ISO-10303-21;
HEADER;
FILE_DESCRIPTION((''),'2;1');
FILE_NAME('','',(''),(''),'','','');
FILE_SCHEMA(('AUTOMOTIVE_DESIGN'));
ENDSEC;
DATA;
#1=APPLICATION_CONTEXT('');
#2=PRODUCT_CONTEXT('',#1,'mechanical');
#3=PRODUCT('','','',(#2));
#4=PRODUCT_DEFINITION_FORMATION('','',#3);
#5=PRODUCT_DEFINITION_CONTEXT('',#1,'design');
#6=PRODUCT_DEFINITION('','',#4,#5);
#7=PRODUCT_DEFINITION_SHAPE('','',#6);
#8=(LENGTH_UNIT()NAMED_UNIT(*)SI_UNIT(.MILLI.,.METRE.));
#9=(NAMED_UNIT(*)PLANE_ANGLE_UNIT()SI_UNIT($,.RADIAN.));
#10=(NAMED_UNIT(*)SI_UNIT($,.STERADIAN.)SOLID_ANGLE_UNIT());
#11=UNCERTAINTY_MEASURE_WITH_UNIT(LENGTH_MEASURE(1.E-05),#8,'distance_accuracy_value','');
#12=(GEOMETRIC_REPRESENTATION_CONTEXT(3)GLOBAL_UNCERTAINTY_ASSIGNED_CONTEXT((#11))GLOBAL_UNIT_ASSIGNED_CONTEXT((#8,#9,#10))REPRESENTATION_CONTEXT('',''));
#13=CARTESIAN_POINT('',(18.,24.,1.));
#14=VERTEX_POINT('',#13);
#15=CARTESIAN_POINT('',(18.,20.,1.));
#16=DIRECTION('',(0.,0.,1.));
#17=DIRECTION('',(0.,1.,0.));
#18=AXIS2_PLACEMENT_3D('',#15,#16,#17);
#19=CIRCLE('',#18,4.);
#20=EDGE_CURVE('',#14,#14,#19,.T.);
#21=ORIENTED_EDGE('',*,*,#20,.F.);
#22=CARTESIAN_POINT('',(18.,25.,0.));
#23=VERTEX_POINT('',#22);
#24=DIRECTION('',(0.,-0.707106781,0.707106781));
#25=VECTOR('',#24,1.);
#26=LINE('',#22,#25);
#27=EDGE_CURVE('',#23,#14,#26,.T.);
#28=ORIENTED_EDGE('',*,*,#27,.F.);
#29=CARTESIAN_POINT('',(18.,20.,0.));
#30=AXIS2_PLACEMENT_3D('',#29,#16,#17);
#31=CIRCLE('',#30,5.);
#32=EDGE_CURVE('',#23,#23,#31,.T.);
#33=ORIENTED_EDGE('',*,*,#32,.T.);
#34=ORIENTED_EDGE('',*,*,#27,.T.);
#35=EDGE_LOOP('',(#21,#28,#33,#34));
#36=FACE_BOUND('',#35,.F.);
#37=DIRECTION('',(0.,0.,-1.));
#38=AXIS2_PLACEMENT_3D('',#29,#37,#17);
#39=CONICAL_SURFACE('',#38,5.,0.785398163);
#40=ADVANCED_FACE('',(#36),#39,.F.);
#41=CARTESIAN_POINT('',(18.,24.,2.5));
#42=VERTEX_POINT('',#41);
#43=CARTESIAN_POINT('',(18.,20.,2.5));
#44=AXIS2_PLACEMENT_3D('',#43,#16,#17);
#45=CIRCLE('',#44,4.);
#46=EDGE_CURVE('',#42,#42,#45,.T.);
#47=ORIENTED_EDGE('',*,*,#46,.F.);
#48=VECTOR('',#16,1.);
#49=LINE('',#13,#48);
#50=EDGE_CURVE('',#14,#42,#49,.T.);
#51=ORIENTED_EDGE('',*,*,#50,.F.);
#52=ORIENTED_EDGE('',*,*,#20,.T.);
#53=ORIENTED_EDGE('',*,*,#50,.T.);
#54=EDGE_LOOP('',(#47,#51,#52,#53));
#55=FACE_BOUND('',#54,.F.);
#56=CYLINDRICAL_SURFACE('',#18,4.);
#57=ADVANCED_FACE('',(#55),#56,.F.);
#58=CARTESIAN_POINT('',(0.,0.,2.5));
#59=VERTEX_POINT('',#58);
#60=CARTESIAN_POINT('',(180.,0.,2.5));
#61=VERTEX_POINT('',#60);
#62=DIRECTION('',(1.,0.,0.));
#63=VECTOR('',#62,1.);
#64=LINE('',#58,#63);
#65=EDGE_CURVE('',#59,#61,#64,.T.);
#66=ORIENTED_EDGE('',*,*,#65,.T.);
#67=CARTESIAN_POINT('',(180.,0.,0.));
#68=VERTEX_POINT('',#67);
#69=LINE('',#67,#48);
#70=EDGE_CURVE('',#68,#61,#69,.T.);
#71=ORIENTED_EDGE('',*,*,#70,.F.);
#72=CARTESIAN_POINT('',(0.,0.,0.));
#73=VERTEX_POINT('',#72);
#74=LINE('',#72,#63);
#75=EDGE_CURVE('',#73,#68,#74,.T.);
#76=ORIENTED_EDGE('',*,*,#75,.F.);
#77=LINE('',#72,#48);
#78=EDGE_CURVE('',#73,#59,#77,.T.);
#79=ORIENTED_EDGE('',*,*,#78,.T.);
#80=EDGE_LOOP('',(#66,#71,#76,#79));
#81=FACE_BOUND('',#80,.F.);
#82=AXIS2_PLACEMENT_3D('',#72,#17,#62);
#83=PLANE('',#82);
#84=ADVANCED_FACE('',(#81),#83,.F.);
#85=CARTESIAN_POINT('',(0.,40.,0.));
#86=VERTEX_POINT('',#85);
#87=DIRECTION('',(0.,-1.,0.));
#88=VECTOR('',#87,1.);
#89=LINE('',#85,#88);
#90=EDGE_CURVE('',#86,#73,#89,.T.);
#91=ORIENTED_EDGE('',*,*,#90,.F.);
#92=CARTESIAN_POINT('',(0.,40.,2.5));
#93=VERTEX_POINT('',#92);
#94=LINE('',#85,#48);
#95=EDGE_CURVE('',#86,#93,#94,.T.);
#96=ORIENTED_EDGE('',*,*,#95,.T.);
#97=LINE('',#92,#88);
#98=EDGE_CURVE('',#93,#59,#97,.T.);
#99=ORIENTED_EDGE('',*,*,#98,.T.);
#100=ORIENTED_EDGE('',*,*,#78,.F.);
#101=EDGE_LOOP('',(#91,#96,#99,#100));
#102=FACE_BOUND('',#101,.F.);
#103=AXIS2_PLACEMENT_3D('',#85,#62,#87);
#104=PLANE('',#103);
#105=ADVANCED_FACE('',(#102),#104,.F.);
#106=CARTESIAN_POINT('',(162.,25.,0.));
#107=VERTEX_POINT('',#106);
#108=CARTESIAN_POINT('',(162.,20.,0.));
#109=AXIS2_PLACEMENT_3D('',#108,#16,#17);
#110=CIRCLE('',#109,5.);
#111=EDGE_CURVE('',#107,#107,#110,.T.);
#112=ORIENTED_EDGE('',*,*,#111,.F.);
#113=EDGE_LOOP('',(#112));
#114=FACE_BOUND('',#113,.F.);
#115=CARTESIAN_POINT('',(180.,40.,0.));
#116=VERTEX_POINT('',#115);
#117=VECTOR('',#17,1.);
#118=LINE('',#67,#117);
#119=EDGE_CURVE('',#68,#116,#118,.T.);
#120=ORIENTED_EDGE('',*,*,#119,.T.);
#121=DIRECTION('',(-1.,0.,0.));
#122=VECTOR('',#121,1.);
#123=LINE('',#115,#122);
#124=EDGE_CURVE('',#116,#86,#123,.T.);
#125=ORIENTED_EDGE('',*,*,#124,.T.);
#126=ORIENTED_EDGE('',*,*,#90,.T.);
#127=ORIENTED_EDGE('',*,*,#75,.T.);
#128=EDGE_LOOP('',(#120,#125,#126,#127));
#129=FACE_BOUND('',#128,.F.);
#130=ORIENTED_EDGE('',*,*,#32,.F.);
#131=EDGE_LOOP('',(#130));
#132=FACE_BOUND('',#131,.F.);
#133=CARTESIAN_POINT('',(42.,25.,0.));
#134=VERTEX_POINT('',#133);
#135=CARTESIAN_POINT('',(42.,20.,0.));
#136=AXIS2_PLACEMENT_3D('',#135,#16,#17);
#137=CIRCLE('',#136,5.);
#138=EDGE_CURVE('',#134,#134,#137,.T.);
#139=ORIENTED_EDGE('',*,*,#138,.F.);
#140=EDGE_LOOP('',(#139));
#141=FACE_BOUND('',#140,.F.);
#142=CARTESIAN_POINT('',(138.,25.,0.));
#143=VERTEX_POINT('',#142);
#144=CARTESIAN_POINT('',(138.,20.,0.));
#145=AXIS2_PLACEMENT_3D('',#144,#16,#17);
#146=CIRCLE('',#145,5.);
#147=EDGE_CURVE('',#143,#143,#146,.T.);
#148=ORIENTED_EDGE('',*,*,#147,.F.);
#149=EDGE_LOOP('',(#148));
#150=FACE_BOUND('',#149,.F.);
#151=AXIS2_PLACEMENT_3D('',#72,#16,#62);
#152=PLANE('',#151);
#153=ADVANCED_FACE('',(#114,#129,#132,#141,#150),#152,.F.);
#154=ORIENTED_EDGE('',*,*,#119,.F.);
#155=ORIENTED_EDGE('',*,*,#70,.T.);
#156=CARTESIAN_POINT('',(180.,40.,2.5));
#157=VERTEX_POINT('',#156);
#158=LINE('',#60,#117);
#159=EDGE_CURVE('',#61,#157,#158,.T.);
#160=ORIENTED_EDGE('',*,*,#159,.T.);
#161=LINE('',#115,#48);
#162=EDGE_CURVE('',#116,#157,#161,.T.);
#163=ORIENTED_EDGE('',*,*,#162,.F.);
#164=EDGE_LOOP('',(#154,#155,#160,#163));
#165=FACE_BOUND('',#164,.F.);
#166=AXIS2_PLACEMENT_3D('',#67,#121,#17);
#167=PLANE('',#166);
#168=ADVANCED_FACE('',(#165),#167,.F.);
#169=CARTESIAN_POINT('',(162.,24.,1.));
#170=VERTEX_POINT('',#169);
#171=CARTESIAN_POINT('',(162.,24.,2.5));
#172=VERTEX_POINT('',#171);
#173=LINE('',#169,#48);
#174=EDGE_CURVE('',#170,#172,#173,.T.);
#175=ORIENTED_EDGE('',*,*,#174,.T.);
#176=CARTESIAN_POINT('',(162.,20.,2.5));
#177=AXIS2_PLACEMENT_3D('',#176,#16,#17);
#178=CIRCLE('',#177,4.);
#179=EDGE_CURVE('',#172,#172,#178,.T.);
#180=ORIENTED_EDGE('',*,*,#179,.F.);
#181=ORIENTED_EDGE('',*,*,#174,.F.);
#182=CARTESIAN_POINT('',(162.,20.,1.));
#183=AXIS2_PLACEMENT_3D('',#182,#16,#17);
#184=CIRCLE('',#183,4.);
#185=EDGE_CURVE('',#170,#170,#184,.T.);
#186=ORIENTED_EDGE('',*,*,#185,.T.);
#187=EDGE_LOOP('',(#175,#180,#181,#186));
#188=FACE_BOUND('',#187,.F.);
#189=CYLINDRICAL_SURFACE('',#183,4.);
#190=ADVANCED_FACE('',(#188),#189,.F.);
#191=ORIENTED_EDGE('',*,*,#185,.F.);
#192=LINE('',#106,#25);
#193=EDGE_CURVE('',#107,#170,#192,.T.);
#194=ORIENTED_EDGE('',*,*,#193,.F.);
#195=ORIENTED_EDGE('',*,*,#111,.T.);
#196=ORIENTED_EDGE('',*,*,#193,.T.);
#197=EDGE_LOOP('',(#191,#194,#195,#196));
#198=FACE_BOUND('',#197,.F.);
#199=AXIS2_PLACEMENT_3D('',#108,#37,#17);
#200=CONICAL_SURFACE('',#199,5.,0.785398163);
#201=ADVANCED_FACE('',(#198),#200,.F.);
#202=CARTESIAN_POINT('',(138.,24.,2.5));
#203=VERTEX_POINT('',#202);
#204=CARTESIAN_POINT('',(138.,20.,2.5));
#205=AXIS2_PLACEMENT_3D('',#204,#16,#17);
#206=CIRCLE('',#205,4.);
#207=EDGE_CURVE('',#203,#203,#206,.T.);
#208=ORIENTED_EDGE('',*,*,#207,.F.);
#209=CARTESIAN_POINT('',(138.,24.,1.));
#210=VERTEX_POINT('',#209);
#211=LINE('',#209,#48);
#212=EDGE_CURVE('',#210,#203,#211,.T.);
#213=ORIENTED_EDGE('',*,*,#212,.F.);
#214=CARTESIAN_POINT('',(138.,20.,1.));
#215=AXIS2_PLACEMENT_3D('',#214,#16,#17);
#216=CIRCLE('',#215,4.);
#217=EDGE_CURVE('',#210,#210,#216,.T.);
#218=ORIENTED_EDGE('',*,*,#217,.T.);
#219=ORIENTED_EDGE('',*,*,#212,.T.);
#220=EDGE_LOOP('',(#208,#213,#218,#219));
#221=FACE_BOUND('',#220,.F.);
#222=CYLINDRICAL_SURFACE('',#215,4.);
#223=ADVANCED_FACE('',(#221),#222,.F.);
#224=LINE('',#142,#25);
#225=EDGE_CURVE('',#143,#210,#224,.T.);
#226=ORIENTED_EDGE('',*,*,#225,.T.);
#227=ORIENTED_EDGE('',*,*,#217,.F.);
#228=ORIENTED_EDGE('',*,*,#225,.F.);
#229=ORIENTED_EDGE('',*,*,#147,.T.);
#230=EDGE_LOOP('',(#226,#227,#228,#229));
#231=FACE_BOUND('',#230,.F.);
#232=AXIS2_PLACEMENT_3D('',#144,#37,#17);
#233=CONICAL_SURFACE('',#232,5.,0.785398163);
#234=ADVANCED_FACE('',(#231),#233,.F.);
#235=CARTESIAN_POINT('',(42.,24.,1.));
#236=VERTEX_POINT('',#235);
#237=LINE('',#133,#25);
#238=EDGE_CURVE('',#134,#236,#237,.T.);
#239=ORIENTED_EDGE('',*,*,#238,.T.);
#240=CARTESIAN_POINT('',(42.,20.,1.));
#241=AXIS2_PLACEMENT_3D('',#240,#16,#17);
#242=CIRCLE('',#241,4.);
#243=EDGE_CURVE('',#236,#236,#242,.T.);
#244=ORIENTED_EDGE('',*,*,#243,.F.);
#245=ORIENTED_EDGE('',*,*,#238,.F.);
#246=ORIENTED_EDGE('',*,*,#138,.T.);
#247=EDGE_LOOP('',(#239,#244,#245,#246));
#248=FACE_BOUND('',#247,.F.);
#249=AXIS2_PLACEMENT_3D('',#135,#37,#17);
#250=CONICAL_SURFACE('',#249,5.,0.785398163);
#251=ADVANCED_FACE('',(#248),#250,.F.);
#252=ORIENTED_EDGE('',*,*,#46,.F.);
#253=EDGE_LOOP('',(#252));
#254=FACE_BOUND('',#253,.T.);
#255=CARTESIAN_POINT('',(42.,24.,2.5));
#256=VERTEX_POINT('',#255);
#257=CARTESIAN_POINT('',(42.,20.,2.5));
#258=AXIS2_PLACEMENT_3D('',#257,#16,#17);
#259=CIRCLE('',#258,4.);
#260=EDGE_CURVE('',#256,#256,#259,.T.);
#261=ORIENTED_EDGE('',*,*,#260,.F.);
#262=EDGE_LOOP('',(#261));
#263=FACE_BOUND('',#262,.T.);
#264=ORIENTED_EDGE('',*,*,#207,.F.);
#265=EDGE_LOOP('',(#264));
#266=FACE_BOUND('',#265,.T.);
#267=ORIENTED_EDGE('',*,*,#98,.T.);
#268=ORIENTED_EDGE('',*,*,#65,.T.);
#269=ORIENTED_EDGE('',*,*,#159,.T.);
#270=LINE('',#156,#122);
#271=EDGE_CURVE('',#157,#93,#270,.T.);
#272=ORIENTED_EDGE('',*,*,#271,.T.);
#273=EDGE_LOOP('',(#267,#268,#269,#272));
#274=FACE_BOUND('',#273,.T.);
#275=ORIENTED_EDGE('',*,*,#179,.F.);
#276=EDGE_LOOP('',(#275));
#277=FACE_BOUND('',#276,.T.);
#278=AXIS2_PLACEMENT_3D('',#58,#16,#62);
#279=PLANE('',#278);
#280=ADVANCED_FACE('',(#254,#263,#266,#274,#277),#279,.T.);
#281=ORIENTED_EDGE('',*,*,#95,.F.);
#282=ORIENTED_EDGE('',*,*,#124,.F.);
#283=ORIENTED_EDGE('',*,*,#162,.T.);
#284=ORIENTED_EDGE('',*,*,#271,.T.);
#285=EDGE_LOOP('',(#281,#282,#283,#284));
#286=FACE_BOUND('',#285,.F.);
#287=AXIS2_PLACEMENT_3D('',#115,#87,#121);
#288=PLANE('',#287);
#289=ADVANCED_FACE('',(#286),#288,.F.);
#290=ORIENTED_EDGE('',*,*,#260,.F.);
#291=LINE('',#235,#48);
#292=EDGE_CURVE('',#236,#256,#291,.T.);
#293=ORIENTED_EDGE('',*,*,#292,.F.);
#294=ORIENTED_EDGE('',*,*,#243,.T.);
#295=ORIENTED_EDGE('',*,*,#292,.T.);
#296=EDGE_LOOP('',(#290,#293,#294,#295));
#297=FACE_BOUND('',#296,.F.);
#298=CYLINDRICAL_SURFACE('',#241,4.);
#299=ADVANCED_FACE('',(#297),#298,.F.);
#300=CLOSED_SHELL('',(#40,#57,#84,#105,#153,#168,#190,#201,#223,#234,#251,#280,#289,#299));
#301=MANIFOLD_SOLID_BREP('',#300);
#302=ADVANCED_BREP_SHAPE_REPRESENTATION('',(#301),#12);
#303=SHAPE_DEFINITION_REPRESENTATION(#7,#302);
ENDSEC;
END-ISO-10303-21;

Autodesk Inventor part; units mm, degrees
ref_plane "YZ Plane" through (0, 0, 0) normal (1, 0, 0) x (0, 1, 0)
ref_plane "XZ Plane" through (0, 0, 0) normal (0, 1, 0) x (-1, 0, 0)
ref_plane "XY Plane" through (0, 0, 0) normal (0, 0, 1) x (1, 0, 0)
sketch "Szkic1" plane through (0, 0, 0) normal (0, 0, 1) x (1, 0, 0)
  line L0 (0, 0) -> (180, 0)
  line L1 (180, 0) -> (180, 40)
  line L2 (180, 40) -> (0, 40)
  line L3 (0, 40) -> (0, 0)
  line L4 (0, 20) -> (180, 20) construction
  line L5 (90, 0) -> (90, 40) construction
  line L6 (45, 0) -> (45, 40) construction
  line L7 (18, 40) -> (18, 0) construction
  circle A0 centre (18, 20) radius 4
  line L8 (30, 40) -> (30, 0) construction
  circle A1 centre (42, 20) radius 4
  circle A2 centre (162, 20) radius 4
  circle A3 centre (138, 20) radius 4
  dimension "d0" = 180
  dimension "d1" = 40
  dimension "d2" = 45
  dimension "d3" = 18
  dimension "d5" = 8
  dimension "d6" = 30
extrude "Wyciągnięcie proste1" add sketch "Szkic1" along normal blind 2.5 contours L3 L2 L1 L0 | A0 | A1 | A2 | A3
hole "Otwór2" at (18, 20, 0) at (42, 20, 0) at (138, 20, 0) at (162, 20, 0) direction (0, 0, 1) diameter 8 end through all countersink diameter 10 countersink angle 90
properties part number "lacznik_plaski_180_40_2p5_CPY"
